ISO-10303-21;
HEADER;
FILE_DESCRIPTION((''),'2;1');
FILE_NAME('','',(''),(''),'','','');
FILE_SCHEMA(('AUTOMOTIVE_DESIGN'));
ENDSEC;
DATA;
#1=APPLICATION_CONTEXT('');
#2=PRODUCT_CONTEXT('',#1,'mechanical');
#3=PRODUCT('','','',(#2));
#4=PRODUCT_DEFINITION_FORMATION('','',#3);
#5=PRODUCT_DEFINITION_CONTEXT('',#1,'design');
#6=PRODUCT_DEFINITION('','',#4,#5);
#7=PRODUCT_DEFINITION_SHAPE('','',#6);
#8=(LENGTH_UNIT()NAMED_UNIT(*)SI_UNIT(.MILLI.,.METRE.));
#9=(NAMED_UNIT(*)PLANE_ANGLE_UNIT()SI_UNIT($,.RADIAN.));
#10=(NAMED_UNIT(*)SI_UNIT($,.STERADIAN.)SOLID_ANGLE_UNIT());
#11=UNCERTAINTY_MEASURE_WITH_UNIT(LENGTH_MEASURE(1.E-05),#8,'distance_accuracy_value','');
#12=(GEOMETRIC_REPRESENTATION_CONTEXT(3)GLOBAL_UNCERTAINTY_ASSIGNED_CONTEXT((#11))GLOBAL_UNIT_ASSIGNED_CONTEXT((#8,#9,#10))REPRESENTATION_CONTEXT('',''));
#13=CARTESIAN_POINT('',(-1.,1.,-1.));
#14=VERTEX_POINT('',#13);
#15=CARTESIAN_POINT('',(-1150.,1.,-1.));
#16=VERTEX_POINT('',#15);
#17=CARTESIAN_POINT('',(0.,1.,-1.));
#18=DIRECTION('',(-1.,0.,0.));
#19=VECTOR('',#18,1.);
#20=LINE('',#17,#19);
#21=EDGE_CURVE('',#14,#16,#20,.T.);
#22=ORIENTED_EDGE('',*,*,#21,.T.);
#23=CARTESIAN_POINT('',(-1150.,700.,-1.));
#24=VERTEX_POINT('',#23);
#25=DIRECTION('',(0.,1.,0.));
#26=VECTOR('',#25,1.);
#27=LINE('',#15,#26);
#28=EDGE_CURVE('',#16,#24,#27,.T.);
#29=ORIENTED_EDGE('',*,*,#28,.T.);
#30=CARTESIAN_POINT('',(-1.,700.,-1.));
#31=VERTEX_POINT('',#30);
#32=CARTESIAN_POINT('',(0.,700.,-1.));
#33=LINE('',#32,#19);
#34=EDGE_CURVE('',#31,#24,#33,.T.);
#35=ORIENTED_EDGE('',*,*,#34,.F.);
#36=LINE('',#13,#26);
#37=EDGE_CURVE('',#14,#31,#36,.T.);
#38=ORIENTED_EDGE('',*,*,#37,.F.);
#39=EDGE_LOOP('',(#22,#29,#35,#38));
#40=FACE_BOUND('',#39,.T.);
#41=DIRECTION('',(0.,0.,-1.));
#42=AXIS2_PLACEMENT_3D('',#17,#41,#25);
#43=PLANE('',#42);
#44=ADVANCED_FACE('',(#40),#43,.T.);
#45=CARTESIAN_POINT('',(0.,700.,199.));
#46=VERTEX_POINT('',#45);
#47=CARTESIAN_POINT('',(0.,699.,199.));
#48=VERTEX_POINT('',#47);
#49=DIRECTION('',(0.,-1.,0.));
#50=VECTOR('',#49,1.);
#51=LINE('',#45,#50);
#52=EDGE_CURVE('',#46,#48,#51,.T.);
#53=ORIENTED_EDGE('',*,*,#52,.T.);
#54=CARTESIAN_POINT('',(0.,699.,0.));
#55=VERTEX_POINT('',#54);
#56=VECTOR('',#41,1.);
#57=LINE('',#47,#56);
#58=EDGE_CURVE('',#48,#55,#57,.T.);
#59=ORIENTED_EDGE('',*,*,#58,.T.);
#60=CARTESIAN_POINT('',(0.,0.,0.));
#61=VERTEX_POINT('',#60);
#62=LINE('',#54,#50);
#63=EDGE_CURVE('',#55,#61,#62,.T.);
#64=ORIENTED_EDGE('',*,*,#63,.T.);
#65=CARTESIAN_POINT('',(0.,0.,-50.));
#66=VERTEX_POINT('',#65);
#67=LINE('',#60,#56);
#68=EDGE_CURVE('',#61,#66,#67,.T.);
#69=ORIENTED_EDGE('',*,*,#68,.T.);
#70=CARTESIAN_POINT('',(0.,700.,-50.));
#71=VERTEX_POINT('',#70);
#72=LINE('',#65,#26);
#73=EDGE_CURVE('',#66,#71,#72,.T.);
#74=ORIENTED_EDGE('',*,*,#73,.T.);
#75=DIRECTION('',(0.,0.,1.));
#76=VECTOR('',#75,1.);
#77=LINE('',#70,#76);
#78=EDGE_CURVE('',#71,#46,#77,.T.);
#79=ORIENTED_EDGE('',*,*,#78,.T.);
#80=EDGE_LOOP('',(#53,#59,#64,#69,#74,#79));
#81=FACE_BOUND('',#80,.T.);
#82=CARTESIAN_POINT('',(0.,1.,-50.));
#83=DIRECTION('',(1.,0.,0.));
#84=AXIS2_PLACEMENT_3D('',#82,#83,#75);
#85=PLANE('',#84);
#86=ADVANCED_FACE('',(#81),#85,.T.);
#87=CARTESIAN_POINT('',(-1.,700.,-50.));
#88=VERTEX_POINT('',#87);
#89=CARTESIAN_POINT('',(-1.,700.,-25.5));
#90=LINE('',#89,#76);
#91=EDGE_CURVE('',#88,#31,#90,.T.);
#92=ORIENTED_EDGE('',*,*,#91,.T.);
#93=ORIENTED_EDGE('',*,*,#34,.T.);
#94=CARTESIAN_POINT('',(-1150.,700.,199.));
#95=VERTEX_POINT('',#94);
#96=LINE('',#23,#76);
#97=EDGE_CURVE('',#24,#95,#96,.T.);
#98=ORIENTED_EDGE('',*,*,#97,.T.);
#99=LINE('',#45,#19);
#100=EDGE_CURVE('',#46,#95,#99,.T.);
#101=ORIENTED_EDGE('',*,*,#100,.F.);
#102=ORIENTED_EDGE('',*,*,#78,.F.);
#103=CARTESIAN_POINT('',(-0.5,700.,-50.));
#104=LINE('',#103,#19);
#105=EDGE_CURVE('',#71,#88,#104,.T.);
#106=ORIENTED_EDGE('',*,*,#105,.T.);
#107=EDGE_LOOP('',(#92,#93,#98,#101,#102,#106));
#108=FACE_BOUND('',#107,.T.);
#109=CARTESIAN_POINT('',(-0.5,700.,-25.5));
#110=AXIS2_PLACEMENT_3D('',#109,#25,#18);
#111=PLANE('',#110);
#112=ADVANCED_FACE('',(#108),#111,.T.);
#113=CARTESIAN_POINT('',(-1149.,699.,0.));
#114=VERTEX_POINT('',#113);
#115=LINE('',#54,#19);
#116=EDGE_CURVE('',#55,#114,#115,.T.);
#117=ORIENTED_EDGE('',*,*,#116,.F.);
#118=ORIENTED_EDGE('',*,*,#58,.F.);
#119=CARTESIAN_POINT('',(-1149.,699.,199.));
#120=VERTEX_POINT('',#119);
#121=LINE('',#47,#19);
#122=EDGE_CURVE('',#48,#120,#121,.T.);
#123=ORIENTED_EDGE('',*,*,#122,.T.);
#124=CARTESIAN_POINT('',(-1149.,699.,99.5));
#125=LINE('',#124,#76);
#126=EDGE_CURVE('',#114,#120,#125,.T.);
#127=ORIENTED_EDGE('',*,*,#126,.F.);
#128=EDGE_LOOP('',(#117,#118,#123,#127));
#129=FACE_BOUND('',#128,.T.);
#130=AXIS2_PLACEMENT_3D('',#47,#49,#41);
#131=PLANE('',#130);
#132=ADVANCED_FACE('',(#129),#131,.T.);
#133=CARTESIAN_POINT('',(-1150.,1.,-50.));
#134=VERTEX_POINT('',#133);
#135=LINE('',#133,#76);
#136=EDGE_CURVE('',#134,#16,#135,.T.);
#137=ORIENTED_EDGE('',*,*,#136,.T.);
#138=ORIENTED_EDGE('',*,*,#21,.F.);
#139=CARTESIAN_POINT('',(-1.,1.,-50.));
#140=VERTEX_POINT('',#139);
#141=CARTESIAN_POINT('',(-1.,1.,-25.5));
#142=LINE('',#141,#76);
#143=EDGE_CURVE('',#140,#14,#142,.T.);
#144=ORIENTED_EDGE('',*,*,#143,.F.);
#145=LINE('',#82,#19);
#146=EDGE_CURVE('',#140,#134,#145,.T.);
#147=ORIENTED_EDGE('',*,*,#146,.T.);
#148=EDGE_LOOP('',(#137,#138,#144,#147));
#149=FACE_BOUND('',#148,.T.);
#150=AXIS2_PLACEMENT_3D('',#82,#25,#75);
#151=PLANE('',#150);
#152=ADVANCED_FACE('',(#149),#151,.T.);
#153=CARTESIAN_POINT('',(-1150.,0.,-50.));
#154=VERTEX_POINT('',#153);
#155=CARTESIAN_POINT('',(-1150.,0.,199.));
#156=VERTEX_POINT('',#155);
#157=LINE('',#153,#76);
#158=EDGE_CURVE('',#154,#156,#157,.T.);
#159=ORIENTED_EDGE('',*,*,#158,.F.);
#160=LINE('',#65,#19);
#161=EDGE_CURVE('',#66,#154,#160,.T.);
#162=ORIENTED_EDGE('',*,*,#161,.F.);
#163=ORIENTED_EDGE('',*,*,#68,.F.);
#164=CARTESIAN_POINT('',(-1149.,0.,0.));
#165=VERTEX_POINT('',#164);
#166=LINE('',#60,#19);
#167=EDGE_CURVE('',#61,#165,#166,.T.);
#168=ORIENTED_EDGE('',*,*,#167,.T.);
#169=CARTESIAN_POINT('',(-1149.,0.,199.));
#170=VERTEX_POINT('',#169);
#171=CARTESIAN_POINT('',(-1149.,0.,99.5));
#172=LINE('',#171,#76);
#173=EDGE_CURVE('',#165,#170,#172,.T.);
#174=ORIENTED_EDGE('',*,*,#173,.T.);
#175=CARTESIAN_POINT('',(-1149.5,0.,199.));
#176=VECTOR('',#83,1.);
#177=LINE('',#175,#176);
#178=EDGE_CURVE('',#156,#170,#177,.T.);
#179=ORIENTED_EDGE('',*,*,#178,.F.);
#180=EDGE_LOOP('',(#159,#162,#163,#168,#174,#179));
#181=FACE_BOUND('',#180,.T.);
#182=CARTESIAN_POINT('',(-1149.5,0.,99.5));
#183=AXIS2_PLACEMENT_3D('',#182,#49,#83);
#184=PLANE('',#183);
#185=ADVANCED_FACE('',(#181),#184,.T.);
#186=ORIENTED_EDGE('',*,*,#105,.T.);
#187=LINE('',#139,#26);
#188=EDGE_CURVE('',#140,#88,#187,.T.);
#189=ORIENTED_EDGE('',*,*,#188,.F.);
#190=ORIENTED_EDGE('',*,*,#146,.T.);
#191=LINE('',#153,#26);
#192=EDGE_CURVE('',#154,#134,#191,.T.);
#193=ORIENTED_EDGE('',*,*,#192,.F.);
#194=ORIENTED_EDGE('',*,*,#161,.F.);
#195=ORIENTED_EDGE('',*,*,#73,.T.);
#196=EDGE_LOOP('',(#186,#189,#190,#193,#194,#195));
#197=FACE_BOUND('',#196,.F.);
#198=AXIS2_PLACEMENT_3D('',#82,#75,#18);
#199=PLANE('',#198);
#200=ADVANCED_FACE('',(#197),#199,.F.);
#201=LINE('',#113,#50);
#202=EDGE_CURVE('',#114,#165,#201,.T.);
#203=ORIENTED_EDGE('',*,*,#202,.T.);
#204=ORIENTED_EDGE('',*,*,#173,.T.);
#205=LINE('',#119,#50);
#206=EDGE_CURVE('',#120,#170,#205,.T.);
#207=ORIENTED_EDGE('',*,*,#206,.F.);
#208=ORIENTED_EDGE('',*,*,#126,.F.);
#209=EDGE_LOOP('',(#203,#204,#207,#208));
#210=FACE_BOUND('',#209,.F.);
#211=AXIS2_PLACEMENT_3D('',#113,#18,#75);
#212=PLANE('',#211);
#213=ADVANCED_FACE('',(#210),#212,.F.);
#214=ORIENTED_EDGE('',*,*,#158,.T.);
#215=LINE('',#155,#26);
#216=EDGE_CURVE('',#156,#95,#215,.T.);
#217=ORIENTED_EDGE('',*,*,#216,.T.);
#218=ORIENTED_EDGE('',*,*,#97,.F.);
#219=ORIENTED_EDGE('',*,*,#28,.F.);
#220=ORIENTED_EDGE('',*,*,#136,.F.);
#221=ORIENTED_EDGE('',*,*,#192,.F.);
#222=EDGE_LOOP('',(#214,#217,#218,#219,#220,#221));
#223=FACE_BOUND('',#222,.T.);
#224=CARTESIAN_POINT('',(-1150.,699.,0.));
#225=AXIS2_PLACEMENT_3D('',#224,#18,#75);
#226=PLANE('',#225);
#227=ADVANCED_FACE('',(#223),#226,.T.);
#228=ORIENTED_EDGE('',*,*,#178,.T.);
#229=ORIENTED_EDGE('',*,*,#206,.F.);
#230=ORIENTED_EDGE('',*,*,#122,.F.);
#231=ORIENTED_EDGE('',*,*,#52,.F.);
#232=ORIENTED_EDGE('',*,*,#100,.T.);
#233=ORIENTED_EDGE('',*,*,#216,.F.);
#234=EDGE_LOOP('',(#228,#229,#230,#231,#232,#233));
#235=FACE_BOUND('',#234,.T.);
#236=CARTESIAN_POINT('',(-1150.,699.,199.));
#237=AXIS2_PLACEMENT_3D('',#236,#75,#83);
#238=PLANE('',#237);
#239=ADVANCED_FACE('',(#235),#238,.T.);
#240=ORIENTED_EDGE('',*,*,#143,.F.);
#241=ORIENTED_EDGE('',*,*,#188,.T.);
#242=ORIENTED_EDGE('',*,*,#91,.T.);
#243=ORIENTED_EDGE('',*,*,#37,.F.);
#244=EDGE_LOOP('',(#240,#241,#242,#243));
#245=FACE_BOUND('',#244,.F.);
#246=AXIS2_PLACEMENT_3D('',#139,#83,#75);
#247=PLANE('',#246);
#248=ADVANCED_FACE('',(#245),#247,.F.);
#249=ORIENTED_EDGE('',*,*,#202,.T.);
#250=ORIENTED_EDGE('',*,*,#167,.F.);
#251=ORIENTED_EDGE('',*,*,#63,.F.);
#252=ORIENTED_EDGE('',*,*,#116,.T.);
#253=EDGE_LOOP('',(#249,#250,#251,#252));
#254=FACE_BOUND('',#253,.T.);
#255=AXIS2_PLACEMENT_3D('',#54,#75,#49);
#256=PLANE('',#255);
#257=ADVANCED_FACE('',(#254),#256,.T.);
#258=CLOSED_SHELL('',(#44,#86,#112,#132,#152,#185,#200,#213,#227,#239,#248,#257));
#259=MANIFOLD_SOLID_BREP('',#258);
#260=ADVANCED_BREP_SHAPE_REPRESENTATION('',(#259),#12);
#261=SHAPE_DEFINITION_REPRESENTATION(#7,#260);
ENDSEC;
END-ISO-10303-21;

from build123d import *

# Parameters (mm, degrees)
F1_DEPTH = 1150
F2_W     = 1
F2_H     = 49
F3_DEPTH = 699
F4_W     = 1
F4_H     = 199
F5_DEPTH = 699


with BuildPart() as f1:
    # F0 (on Right) → F1 (new body)
    with BuildSketch(Plane.YZ):
        Polygon((699, 0), (0, 0), (0, -50), (1, -50), (1, -1), (700, -1), (700, 199), (699, 199), align=None)
    extrude(amount=-F1_DEPTH)

    # F2 (on face) → F3 (join, through all)
    with BuildSketch(Plane(origin=(0, 1, 0), x_dir=(-1, 0, 0), z_dir=(0, 1, 0))):
        with Locations((0.5, -25.5)):
            Rectangle(F2_W, F2_H)
    extrude(amount=F3_DEPTH)

    # F4 (on face) → F5 (join)
    with BuildSketch(Plane.XZ.offset(-699)):
        with Locations((-1149.5, 99.5)):
            Rectangle(F4_W, F4_H)
    extrude(amount=F5_DEPTH)


solid = f1.part
